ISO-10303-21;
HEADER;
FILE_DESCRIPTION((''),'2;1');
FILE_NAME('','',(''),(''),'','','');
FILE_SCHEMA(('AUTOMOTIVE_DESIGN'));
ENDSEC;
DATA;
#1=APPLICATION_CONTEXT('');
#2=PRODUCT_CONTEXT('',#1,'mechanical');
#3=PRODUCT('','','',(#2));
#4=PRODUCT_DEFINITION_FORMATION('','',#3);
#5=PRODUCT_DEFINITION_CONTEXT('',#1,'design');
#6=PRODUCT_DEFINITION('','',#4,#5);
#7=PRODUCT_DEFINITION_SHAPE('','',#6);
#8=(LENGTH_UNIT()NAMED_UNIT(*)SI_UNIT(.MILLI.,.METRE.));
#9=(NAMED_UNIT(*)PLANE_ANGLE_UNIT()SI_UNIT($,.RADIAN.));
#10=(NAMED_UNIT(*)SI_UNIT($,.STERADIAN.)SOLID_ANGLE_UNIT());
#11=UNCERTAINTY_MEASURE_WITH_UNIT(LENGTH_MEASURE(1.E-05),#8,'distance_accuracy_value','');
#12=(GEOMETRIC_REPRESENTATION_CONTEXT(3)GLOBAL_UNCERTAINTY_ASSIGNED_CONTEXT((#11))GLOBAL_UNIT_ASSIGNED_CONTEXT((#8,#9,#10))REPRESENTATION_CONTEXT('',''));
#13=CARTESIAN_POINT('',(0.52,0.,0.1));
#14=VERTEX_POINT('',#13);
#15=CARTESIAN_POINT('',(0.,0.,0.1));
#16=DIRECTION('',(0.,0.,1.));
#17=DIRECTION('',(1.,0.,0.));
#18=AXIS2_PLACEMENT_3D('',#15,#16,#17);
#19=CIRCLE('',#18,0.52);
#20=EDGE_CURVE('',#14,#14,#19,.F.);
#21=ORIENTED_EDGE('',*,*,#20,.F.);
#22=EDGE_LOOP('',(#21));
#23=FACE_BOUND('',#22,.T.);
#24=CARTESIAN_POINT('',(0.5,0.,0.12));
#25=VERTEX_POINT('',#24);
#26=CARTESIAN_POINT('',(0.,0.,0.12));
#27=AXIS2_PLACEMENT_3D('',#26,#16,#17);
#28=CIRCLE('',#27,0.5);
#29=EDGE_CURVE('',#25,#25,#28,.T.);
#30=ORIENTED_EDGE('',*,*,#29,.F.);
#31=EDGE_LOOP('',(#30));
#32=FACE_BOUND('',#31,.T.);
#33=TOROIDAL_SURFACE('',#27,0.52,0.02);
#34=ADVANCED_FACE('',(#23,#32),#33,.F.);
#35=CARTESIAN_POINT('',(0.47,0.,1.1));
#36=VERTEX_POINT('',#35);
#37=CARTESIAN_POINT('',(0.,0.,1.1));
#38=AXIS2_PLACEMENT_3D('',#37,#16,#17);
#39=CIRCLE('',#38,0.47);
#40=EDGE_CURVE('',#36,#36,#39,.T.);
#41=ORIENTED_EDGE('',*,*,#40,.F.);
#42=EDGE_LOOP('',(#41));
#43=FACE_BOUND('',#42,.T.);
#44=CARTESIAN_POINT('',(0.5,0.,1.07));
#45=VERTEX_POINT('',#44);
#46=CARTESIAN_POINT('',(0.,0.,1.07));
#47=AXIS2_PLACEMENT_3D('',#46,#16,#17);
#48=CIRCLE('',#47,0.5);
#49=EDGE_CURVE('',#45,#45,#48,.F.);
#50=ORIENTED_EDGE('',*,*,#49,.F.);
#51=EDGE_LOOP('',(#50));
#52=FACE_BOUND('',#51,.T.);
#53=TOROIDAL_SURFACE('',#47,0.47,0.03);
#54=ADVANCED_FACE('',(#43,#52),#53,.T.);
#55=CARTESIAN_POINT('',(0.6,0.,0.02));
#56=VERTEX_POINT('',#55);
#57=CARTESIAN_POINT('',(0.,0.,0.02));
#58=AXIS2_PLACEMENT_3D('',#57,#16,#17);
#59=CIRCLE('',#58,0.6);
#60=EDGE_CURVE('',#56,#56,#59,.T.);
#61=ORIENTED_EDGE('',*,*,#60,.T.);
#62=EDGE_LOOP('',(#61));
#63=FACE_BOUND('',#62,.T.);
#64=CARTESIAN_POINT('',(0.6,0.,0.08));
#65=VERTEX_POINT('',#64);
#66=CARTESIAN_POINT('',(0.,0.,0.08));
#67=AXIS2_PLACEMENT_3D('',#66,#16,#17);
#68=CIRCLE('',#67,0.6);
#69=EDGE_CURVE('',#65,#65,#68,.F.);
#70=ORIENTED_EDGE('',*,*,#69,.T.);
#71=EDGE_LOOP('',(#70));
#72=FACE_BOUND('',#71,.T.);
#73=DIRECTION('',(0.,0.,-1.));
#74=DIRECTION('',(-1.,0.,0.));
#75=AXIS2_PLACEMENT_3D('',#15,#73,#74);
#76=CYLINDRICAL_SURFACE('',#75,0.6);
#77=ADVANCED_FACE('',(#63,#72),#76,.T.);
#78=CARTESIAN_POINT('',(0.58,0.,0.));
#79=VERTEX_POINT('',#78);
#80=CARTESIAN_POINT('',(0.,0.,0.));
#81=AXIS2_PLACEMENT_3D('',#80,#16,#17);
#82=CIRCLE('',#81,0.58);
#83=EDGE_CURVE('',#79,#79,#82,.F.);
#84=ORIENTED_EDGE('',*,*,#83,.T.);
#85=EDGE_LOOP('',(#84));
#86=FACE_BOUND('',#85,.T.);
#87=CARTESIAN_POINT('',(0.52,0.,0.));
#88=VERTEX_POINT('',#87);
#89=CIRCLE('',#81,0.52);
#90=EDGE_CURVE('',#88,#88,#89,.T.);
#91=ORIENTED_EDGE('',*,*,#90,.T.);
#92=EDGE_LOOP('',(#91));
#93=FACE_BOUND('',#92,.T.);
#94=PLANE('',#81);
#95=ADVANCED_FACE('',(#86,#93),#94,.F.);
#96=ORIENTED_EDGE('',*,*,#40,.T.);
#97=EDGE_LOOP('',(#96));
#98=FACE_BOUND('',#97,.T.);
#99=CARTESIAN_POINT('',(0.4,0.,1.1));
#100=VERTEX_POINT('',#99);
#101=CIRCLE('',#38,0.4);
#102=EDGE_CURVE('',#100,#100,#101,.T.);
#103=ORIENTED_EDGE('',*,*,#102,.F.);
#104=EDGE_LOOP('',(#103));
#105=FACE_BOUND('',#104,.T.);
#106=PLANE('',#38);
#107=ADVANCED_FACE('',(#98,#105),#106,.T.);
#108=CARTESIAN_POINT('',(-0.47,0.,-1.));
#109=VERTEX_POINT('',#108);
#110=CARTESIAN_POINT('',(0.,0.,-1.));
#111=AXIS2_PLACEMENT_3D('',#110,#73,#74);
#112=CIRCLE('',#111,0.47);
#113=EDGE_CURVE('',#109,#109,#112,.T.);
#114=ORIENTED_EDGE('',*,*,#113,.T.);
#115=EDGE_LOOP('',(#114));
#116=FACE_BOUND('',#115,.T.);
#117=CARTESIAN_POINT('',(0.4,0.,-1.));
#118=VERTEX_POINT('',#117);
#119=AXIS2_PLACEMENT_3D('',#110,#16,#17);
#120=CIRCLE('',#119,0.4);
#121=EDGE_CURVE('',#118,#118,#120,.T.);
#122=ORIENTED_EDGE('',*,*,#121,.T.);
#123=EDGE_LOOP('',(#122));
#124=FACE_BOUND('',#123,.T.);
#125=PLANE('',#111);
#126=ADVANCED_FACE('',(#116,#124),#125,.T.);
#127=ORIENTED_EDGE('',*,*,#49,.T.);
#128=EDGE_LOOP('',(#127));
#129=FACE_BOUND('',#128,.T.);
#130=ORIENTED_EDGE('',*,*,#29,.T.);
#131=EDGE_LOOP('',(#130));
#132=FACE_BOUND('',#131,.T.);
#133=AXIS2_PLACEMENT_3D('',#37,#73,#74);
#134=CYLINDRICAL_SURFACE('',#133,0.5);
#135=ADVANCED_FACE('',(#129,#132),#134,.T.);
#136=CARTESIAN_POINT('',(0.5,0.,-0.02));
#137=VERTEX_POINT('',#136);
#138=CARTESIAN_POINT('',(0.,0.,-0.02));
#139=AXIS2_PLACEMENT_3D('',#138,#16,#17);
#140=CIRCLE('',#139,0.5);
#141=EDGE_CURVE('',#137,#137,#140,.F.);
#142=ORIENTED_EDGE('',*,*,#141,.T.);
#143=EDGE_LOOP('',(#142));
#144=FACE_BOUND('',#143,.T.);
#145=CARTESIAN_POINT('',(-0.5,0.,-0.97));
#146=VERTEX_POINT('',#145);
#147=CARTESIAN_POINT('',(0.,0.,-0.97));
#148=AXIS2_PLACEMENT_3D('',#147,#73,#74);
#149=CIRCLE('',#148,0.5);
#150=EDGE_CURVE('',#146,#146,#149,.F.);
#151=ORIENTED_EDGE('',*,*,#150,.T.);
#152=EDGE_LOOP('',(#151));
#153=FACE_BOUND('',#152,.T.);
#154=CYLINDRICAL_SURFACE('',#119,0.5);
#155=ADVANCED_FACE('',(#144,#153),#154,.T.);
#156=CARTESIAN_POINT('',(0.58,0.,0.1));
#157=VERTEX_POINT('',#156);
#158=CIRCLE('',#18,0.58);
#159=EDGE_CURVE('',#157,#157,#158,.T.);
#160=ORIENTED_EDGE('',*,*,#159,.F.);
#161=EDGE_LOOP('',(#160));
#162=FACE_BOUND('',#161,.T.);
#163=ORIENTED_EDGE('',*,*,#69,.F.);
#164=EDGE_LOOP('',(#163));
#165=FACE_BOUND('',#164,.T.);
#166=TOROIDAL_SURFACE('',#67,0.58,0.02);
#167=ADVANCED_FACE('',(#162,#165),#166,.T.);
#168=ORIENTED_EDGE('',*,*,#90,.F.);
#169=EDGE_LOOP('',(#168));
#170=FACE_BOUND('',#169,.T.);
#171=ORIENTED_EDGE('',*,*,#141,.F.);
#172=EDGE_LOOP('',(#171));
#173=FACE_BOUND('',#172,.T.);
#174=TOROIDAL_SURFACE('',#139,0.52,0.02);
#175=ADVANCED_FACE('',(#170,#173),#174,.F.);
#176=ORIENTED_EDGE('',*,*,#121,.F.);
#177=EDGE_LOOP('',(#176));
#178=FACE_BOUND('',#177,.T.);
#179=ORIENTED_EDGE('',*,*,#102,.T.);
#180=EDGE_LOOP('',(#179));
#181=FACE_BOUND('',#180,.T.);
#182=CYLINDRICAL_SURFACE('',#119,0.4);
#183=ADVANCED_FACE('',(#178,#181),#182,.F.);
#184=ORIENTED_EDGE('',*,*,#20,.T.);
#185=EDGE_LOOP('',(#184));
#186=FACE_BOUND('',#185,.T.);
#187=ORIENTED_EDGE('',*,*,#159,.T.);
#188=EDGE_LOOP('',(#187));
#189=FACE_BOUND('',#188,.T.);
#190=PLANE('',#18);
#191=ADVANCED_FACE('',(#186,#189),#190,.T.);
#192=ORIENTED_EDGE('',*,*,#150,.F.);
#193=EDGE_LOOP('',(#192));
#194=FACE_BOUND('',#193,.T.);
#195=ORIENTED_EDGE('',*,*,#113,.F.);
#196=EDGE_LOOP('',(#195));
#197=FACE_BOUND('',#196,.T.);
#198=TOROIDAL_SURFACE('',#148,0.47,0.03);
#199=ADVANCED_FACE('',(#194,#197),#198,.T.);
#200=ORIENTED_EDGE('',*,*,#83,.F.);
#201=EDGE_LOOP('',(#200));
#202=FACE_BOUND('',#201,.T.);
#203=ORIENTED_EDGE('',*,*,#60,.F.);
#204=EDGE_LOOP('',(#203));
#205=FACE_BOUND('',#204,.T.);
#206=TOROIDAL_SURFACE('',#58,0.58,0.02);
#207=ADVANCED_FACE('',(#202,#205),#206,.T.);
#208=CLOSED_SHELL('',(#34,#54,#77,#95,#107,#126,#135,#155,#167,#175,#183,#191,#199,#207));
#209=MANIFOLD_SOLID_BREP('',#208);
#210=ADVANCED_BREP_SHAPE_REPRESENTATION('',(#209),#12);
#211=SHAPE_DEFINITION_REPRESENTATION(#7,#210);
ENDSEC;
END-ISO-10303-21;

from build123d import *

# Parameters (mm, degrees)
SKETCH1_R           = 0.6
BOSS_EXTRUDE1_DEPTH = 0.1
SKETCH2_R           = 0.5
BOSS_EXTRUDE2_DEPTH = 1
BOSS_EXTRUDE3_START = 1
SKETCH4_R           = 0.5
BOSS_EXTRUDE3_DEPTH = 1
FILLET1_R           = 0.02
FILLET2_R           = 0.02
FILLET3_R           = 0.02
FILLET4_R           = 0.02
FILLET5_R           = 0.03
FILLET6_R           = 0.03
SKETCH5_R           = 0.4
CUT_EXTRUDE1_DEPTH  = 2.1


with BuildPart() as part:
    # Sketch1 → Boss-Extrude1 (new body)
    with BuildSketch(Plane.XY):
        Circle(SKETCH1_R)
    extrude(amount=BOSS_EXTRUDE1_DEPTH)

    # Sketch2 → Boss-Extrude2 (add)
    with BuildSketch(Plane.XY.offset(0.1)):
        Circle(SKETCH2_R)
    extrude(amount=BOSS_EXTRUDE2_DEPTH)

    # Sketch4 → Boss-Extrude3 (add)
    with BuildSketch(Plane(origin=(0, 0, 0), x_dir=(-1, 0, 0), z_dir=(0, 0, -1)).offset(BOSS_EXTRUDE3_START)):
        with Locations(Location((0, 0, 0), (0, 0, 180))):
            Circle(SKETCH4_R)
    extrude(amount=-BOSS_EXTRUDE3_DEPTH)

    # Fillet1
    fillet1_edges = [part.edges().sort_by_distance(p)[0] for p in [
        (-0.6, 0, 0),
    ]]
    fillet(fillet1_edges, radius=FILLET1_R)

    # Fillet2
    fillet2_edges = [part.edges().sort_by_distance(p)[0] for p in [
        (-0.6, 0, 0.1),
    ]]
    fillet(fillet2_edges, radius=FILLET2_R)

    # Fillet3
    fillet3_edges = [part.edges().sort_by_distance(p)[0] for p in [
        (-0.5, 0, 0.1),
    ]]
    fillet(fillet3_edges, radius=FILLET3_R)

    # Fillet4
    fillet4_edges = [part.edges().sort_by_distance(p)[0] for p in [
        (-0.5, 0, 0),
    ]]
    fillet(fillet4_edges, radius=FILLET4_R)

    # Fillet5
    fillet5_edges = [part.edges().sort_by_distance(p)[0] for p in [
        (-0.5, 0, 1.1),
    ]]
    fillet(fillet5_edges, radius=FILLET5_R)

    # Fillet6
    fillet6_edges = [part.edges().sort_by_distance(p)[0] for p in [
        (-0.5, 0, -1),
    ]]
    fillet(fillet6_edges, radius=FILLET6_R)

    # Sketch5 → Cut-Extrude1 (cut)
    with BuildSketch(Plane.XY.offset(1.1)):
        Circle(SKETCH5_R)
    extrude(amount=-CUT_EXTRUDE1_DEPTH, mode=Mode.SUBTRACT)


solid = part.part
